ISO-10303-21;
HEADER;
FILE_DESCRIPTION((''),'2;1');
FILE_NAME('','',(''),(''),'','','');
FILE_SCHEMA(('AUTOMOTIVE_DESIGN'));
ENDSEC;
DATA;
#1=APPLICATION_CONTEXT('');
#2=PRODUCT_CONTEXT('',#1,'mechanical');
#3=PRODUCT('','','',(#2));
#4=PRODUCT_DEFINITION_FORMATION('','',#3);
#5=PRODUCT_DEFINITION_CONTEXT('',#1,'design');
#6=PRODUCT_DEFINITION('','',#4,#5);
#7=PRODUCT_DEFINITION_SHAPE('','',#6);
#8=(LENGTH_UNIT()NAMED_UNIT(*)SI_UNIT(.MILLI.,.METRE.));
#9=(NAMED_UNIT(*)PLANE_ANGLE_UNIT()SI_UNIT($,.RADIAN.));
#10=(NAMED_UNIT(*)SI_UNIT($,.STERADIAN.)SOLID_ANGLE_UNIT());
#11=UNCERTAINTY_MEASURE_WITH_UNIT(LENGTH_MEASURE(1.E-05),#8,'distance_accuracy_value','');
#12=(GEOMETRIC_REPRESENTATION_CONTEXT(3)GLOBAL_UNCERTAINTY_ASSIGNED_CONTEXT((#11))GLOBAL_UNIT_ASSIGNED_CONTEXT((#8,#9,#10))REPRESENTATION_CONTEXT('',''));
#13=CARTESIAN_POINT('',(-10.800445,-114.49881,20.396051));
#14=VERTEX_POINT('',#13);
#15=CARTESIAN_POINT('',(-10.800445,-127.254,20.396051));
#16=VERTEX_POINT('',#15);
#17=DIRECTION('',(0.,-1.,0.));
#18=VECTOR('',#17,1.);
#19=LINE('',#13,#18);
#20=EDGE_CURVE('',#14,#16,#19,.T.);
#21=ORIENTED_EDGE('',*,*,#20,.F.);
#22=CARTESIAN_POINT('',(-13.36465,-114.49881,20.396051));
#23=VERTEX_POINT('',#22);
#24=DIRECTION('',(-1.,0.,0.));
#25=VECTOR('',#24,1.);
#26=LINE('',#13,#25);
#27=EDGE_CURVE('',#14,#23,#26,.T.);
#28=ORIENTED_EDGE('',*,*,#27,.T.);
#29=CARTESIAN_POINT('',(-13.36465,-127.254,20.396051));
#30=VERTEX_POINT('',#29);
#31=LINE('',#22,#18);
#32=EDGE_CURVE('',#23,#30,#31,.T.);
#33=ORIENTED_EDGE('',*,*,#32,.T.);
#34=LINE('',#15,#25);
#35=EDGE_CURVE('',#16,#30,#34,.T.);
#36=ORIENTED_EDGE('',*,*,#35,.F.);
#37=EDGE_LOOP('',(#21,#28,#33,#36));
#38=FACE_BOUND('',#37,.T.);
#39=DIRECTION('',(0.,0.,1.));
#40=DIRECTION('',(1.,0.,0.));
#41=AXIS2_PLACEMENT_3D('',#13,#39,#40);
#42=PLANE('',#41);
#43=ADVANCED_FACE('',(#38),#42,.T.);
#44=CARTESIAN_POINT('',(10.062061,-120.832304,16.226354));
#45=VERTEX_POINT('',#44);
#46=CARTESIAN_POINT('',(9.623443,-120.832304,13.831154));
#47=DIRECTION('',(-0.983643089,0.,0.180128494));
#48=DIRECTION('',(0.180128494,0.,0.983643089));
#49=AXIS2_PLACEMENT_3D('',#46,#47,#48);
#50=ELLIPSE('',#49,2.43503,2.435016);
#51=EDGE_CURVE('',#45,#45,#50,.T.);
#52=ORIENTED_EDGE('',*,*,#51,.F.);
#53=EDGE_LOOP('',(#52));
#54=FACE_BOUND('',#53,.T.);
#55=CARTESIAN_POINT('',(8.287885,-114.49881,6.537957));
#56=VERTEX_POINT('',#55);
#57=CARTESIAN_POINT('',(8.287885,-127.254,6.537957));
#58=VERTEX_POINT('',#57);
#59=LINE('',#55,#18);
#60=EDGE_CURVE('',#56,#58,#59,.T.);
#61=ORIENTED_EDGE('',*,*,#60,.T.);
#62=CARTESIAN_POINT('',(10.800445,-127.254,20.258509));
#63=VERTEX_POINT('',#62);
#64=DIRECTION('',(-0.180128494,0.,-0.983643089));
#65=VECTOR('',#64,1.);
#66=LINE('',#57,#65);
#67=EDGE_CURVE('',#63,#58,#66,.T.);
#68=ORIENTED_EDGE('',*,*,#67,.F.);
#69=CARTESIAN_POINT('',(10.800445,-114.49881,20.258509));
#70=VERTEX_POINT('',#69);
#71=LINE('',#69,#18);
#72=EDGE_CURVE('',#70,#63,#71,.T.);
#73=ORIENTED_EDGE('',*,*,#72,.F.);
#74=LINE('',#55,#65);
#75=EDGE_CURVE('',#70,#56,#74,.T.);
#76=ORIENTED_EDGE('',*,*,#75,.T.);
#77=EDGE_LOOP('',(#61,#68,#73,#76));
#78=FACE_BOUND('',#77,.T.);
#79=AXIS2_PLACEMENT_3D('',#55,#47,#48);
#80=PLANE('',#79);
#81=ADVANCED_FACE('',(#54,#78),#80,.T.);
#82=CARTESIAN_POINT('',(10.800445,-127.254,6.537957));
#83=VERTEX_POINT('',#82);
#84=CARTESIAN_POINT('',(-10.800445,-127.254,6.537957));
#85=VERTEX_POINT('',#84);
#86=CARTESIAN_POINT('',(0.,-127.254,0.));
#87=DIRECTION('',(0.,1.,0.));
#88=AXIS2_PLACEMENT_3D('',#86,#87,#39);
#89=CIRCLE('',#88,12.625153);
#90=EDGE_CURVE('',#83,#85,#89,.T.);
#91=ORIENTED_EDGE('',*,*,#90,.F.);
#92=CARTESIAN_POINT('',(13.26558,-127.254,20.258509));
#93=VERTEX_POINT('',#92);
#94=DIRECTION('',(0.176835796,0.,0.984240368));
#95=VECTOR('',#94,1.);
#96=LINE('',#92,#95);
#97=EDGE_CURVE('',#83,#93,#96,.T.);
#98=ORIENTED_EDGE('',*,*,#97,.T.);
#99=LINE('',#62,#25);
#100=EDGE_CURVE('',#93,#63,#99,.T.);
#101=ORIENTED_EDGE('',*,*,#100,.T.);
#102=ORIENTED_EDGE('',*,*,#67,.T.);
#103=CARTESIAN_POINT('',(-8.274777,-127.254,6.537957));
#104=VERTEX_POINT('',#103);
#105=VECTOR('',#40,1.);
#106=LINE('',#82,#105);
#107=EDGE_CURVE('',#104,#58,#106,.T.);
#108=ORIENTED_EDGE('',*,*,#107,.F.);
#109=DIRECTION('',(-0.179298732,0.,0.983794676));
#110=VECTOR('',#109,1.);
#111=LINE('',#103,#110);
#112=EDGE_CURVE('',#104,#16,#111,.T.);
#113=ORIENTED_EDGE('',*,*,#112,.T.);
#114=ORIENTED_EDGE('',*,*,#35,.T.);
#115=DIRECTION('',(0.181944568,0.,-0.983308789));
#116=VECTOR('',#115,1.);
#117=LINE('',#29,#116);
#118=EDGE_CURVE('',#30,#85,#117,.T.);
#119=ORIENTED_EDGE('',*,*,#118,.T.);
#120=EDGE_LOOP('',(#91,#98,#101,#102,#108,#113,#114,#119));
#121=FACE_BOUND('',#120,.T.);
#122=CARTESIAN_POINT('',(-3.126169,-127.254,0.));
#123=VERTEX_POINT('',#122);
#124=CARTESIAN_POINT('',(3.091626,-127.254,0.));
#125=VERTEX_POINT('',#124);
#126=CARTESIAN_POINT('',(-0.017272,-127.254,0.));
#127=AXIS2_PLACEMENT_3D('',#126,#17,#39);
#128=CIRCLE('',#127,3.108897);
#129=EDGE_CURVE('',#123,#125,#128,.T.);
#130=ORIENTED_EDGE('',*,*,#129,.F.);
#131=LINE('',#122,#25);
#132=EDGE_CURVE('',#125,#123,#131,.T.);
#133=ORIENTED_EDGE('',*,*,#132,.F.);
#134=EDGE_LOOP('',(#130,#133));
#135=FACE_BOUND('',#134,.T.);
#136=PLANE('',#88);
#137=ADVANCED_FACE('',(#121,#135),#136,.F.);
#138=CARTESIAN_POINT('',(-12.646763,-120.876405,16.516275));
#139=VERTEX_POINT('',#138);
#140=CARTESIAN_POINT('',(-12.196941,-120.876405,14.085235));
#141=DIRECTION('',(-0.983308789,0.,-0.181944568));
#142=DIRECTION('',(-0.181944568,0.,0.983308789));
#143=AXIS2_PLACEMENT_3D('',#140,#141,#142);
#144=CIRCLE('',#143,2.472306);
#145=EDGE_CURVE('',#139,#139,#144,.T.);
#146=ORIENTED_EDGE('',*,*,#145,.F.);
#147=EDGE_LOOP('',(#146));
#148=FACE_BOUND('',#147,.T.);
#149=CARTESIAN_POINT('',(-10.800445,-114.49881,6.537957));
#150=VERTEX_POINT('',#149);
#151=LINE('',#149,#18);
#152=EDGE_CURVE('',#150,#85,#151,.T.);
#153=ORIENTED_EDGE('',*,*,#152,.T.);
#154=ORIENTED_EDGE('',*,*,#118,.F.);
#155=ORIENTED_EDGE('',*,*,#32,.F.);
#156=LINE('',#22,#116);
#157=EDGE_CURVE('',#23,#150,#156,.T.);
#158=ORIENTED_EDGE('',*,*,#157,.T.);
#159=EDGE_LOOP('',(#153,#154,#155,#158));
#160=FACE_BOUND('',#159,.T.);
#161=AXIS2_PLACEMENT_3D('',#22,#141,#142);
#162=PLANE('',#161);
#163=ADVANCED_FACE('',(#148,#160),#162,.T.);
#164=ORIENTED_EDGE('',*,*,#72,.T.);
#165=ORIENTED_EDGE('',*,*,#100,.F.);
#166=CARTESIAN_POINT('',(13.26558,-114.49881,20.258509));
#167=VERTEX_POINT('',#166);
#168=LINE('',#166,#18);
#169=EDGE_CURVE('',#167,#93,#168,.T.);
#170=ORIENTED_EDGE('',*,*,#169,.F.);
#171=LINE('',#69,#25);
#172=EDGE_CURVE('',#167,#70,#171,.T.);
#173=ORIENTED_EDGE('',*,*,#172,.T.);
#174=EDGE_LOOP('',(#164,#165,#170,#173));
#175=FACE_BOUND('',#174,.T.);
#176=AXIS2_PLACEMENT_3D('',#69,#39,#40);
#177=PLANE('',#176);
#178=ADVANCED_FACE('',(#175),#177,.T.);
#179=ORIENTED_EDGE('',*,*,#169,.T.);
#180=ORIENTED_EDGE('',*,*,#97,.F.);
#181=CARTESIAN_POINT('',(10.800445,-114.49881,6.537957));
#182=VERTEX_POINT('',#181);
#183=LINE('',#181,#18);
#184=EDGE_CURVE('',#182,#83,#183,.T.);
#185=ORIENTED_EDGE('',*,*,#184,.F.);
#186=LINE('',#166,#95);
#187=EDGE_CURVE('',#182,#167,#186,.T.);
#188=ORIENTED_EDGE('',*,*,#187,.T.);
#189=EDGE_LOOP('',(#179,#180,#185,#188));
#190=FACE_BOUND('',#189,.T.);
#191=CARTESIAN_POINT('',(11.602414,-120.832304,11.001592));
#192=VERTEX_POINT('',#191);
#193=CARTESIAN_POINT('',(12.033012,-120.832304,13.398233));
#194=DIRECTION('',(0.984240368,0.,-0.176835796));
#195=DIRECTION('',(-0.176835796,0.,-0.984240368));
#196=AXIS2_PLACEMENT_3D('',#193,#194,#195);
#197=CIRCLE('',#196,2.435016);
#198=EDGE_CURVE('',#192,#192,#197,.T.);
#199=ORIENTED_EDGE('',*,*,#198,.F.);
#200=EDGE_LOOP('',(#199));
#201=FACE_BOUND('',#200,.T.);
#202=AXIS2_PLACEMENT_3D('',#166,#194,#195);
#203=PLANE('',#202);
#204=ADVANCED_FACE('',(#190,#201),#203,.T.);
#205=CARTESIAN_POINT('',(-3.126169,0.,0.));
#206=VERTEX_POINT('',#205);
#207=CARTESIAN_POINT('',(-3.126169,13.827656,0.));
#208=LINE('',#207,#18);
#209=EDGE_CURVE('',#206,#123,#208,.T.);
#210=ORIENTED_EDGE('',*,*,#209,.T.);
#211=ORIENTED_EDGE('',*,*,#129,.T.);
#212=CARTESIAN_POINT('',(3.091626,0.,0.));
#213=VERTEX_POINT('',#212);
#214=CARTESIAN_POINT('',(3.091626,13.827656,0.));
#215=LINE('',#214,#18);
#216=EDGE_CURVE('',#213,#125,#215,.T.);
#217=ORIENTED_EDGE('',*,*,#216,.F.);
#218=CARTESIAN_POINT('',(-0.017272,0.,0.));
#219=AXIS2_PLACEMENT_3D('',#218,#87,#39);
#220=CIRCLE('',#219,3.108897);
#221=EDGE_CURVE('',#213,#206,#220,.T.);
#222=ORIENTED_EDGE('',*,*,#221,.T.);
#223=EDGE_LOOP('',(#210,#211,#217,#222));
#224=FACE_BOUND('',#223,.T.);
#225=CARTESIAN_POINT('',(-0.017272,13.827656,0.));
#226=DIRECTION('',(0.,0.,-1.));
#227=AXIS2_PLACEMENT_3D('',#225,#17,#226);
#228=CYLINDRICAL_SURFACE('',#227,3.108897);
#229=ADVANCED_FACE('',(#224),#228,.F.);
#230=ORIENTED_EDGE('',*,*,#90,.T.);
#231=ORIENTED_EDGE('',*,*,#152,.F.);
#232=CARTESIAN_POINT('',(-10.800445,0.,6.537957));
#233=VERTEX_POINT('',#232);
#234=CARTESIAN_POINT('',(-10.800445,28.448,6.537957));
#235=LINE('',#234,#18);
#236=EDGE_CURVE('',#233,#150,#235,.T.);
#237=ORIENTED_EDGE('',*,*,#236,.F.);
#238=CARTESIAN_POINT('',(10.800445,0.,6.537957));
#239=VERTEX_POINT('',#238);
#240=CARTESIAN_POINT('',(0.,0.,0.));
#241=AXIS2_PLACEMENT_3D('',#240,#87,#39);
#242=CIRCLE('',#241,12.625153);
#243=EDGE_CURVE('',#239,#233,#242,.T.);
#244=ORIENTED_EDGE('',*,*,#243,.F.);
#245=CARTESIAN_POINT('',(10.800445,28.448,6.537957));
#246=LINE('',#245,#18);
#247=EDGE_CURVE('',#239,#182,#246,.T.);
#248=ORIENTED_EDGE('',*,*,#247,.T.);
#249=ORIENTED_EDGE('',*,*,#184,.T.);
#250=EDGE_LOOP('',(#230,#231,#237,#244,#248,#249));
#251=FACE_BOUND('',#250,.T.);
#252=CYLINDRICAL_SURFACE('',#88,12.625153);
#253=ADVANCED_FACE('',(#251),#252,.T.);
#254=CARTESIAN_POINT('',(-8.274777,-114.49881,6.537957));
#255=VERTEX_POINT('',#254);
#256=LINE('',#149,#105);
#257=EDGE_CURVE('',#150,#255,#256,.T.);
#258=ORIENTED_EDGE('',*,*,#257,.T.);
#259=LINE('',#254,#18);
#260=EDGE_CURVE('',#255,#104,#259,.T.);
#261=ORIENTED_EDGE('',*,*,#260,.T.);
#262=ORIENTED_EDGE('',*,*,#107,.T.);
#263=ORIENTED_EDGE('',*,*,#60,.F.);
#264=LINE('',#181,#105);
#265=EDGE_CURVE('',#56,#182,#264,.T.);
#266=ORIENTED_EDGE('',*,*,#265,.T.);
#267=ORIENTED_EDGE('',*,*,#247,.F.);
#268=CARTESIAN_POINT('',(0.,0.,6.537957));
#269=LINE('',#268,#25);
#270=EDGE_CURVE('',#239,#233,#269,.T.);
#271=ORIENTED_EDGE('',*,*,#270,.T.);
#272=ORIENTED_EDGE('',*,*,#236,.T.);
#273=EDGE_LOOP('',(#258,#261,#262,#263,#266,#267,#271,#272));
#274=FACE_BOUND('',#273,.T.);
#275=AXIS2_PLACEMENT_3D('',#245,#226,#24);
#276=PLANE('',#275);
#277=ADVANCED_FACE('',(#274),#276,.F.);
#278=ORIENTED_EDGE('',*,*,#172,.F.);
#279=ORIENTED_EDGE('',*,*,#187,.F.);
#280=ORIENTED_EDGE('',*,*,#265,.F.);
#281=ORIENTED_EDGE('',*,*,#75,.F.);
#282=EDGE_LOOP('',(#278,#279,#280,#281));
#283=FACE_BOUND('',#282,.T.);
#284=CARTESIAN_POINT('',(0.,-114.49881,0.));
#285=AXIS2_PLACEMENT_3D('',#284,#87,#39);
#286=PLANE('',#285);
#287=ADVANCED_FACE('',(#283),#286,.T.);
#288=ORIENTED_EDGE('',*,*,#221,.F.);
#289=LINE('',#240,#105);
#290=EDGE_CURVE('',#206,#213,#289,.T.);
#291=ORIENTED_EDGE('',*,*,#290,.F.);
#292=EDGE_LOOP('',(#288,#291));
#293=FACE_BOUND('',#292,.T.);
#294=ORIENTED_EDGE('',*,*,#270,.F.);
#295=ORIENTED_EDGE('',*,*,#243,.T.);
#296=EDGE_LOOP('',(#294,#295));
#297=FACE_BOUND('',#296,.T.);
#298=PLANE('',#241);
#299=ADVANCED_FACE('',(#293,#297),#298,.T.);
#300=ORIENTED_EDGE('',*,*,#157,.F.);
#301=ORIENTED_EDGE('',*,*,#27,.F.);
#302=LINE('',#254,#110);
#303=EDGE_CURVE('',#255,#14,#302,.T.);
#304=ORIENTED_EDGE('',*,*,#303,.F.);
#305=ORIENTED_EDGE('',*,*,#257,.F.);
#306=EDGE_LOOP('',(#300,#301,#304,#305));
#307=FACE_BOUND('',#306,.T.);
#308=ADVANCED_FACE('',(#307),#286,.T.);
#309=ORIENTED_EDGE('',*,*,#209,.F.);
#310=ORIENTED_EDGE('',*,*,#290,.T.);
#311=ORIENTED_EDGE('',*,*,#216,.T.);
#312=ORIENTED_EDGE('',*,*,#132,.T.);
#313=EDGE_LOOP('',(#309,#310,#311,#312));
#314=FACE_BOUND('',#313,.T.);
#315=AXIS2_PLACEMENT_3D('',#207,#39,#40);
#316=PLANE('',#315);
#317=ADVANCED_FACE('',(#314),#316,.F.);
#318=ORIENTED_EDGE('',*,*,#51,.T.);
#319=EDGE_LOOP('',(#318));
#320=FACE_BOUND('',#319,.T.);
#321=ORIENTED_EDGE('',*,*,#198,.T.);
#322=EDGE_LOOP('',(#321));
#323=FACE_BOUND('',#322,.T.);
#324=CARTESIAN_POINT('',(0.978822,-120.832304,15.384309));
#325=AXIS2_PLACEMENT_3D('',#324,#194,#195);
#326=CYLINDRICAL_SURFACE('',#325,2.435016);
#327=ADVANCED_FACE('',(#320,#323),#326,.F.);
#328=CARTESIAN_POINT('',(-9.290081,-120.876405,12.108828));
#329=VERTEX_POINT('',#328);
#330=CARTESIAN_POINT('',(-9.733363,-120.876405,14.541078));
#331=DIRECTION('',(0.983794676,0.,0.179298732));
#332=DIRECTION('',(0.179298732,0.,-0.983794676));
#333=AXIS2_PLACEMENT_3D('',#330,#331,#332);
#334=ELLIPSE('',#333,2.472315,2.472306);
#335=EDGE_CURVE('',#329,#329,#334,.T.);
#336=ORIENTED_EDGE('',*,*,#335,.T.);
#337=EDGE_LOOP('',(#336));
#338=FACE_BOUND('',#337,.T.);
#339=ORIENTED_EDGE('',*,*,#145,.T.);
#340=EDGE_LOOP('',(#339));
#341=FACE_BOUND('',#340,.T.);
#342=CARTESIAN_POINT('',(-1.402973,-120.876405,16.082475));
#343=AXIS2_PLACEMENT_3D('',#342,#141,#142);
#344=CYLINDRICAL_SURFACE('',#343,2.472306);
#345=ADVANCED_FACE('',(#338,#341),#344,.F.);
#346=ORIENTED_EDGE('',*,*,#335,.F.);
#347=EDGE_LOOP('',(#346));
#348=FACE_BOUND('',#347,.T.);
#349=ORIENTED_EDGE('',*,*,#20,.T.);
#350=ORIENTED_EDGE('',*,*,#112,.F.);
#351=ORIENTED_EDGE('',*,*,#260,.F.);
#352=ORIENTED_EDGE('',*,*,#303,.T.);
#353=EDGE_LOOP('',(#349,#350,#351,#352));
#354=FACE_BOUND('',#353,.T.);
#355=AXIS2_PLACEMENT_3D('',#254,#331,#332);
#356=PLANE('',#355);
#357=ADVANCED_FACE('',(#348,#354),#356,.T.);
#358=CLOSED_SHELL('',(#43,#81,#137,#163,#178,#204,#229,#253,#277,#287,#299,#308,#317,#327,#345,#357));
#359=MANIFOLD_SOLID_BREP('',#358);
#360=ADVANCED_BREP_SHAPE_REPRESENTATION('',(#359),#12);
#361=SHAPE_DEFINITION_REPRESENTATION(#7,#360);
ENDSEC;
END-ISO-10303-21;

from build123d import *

# Parameters (mm, degrees)
SKETCH1_R           = 12.62515314
BOSS_EXTRUDE1_DEPTH = 127.254
SKETCH2_W           = 21.600890372
SKETCH2_H           = 6.08719661
CUT_EXTRUDE1_DEPTH  = 155.702
CUT_EXTRUDE2_DEPTH  = 141.081655767
BOSS_EXTRUDE2_DEPTH = 12.755190121
BOSS_EXTRUDE3_DEPTH = 12.755190121
SKETCH6_R           = 2.435016118
CUT_EXTRUDE3_DEPTH  = 11.231190121
SKETCH7_R           = 2.472305811
CUT_EXTRUDE4_DEPTH  = 10.977190121


with BuildPart() as part:
    # Sketch1 → Boss-Extrude1 (new body)
    with BuildSketch(Plane(origin=(0, 0, 0), x_dir=(1, 0, 0), z_dir=(0, 1, 0))):
        with Locations(Location((0, 0, 0), (0, 0, 270))):
            Circle(SKETCH1_R)
    extrude(amount=-BOSS_EXTRUDE1_DEPTH)

    # Sketch2 → Cut-Extrude1 (cut)
    with BuildSketch(Plane(origin=(0, -127.254, 0), x_dir=(-1, 0, 0), z_dir=(0, -1, 0))):
        with Locations((0, -9.581554835)):
            Rectangle(SKETCH2_W, SKETCH2_H)
    extrude(amount=-CUT_EXTRUDE1_DEPTH, mode=Mode.SUBTRACT)

    # Sketch3 → Cut-Extrude2 (cut)
    with BuildSketch(Plane(origin=(0, -127.254, 0), x_dir=(-1, 0, 0), z_dir=(0, -1, 0))):
        with BuildLine():
            Line((3.126169088, 0), (-3.091625783, 0))
            ThreePointArc((-3.091625783, 0), (0.017271652, 3.108897435), (3.126169088, 0))
        make_face()
    extrude(amount=-CUT_EXTRUDE2_DEPTH, mode=Mode.SUBTRACT)

    # Sketch4 → Boss-Extrude2 (add)
    with BuildSketch(Plane.XZ.offset(127.254)):
        Polygon((-10.800445186, 6.53795653), (-8.274777075, 6.53795653), (-10.800445186, 20.396051451), (-13.364649969, 20.396051451), align=None)
    extrude(amount=-BOSS_EXTRUDE2_DEPTH)

    # Sketch5 → Boss-Extrude3 (add)
    with BuildSketch(Plane.XZ.offset(127.254)):
        Polygon((10.800445186, 6.53795653), (8.287884941, 6.53795653), (10.800445186, 20.258509361), (13.265579683, 20.258509361), align=None)
    extrude(amount=-BOSS_EXTRUDE3_DEPTH)

    # Sketch6 → Cut-Extrude3 (cut)
    with BuildSketch(Plane(origin=(9.324781226, 0, -1.67535814), x_dir=(-0.17683579611178707, 0, -0.9842403676000647), z_dir=(0.9842403676000648, 0, -0.17683579611178707))):
        with Locations((-15.314949053, -120.83230441)):
            Circle(SKETCH6_R)
    extrude(amount=-CUT_EXTRUDE3_DEPTH, mode=Mode.SUBTRACT)

    # Sketch7 → Cut-Extrude4 (cut)
    with BuildSketch(Plane(origin=(-9.273218408, 0, -1.715851358), x_dir=(-0.18194456837394912, 0, 0.9833087887531655), z_dir=(-0.9833087887531655, 0, -0.18194456837394912))):
        with Locations((16.069302572, -120.876404939)):
            Circle(SKETCH7_R)
    extrude(amount=-CUT_EXTRUDE4_DEPTH, mode=Mode.SUBTRACT)


solid = part.part
